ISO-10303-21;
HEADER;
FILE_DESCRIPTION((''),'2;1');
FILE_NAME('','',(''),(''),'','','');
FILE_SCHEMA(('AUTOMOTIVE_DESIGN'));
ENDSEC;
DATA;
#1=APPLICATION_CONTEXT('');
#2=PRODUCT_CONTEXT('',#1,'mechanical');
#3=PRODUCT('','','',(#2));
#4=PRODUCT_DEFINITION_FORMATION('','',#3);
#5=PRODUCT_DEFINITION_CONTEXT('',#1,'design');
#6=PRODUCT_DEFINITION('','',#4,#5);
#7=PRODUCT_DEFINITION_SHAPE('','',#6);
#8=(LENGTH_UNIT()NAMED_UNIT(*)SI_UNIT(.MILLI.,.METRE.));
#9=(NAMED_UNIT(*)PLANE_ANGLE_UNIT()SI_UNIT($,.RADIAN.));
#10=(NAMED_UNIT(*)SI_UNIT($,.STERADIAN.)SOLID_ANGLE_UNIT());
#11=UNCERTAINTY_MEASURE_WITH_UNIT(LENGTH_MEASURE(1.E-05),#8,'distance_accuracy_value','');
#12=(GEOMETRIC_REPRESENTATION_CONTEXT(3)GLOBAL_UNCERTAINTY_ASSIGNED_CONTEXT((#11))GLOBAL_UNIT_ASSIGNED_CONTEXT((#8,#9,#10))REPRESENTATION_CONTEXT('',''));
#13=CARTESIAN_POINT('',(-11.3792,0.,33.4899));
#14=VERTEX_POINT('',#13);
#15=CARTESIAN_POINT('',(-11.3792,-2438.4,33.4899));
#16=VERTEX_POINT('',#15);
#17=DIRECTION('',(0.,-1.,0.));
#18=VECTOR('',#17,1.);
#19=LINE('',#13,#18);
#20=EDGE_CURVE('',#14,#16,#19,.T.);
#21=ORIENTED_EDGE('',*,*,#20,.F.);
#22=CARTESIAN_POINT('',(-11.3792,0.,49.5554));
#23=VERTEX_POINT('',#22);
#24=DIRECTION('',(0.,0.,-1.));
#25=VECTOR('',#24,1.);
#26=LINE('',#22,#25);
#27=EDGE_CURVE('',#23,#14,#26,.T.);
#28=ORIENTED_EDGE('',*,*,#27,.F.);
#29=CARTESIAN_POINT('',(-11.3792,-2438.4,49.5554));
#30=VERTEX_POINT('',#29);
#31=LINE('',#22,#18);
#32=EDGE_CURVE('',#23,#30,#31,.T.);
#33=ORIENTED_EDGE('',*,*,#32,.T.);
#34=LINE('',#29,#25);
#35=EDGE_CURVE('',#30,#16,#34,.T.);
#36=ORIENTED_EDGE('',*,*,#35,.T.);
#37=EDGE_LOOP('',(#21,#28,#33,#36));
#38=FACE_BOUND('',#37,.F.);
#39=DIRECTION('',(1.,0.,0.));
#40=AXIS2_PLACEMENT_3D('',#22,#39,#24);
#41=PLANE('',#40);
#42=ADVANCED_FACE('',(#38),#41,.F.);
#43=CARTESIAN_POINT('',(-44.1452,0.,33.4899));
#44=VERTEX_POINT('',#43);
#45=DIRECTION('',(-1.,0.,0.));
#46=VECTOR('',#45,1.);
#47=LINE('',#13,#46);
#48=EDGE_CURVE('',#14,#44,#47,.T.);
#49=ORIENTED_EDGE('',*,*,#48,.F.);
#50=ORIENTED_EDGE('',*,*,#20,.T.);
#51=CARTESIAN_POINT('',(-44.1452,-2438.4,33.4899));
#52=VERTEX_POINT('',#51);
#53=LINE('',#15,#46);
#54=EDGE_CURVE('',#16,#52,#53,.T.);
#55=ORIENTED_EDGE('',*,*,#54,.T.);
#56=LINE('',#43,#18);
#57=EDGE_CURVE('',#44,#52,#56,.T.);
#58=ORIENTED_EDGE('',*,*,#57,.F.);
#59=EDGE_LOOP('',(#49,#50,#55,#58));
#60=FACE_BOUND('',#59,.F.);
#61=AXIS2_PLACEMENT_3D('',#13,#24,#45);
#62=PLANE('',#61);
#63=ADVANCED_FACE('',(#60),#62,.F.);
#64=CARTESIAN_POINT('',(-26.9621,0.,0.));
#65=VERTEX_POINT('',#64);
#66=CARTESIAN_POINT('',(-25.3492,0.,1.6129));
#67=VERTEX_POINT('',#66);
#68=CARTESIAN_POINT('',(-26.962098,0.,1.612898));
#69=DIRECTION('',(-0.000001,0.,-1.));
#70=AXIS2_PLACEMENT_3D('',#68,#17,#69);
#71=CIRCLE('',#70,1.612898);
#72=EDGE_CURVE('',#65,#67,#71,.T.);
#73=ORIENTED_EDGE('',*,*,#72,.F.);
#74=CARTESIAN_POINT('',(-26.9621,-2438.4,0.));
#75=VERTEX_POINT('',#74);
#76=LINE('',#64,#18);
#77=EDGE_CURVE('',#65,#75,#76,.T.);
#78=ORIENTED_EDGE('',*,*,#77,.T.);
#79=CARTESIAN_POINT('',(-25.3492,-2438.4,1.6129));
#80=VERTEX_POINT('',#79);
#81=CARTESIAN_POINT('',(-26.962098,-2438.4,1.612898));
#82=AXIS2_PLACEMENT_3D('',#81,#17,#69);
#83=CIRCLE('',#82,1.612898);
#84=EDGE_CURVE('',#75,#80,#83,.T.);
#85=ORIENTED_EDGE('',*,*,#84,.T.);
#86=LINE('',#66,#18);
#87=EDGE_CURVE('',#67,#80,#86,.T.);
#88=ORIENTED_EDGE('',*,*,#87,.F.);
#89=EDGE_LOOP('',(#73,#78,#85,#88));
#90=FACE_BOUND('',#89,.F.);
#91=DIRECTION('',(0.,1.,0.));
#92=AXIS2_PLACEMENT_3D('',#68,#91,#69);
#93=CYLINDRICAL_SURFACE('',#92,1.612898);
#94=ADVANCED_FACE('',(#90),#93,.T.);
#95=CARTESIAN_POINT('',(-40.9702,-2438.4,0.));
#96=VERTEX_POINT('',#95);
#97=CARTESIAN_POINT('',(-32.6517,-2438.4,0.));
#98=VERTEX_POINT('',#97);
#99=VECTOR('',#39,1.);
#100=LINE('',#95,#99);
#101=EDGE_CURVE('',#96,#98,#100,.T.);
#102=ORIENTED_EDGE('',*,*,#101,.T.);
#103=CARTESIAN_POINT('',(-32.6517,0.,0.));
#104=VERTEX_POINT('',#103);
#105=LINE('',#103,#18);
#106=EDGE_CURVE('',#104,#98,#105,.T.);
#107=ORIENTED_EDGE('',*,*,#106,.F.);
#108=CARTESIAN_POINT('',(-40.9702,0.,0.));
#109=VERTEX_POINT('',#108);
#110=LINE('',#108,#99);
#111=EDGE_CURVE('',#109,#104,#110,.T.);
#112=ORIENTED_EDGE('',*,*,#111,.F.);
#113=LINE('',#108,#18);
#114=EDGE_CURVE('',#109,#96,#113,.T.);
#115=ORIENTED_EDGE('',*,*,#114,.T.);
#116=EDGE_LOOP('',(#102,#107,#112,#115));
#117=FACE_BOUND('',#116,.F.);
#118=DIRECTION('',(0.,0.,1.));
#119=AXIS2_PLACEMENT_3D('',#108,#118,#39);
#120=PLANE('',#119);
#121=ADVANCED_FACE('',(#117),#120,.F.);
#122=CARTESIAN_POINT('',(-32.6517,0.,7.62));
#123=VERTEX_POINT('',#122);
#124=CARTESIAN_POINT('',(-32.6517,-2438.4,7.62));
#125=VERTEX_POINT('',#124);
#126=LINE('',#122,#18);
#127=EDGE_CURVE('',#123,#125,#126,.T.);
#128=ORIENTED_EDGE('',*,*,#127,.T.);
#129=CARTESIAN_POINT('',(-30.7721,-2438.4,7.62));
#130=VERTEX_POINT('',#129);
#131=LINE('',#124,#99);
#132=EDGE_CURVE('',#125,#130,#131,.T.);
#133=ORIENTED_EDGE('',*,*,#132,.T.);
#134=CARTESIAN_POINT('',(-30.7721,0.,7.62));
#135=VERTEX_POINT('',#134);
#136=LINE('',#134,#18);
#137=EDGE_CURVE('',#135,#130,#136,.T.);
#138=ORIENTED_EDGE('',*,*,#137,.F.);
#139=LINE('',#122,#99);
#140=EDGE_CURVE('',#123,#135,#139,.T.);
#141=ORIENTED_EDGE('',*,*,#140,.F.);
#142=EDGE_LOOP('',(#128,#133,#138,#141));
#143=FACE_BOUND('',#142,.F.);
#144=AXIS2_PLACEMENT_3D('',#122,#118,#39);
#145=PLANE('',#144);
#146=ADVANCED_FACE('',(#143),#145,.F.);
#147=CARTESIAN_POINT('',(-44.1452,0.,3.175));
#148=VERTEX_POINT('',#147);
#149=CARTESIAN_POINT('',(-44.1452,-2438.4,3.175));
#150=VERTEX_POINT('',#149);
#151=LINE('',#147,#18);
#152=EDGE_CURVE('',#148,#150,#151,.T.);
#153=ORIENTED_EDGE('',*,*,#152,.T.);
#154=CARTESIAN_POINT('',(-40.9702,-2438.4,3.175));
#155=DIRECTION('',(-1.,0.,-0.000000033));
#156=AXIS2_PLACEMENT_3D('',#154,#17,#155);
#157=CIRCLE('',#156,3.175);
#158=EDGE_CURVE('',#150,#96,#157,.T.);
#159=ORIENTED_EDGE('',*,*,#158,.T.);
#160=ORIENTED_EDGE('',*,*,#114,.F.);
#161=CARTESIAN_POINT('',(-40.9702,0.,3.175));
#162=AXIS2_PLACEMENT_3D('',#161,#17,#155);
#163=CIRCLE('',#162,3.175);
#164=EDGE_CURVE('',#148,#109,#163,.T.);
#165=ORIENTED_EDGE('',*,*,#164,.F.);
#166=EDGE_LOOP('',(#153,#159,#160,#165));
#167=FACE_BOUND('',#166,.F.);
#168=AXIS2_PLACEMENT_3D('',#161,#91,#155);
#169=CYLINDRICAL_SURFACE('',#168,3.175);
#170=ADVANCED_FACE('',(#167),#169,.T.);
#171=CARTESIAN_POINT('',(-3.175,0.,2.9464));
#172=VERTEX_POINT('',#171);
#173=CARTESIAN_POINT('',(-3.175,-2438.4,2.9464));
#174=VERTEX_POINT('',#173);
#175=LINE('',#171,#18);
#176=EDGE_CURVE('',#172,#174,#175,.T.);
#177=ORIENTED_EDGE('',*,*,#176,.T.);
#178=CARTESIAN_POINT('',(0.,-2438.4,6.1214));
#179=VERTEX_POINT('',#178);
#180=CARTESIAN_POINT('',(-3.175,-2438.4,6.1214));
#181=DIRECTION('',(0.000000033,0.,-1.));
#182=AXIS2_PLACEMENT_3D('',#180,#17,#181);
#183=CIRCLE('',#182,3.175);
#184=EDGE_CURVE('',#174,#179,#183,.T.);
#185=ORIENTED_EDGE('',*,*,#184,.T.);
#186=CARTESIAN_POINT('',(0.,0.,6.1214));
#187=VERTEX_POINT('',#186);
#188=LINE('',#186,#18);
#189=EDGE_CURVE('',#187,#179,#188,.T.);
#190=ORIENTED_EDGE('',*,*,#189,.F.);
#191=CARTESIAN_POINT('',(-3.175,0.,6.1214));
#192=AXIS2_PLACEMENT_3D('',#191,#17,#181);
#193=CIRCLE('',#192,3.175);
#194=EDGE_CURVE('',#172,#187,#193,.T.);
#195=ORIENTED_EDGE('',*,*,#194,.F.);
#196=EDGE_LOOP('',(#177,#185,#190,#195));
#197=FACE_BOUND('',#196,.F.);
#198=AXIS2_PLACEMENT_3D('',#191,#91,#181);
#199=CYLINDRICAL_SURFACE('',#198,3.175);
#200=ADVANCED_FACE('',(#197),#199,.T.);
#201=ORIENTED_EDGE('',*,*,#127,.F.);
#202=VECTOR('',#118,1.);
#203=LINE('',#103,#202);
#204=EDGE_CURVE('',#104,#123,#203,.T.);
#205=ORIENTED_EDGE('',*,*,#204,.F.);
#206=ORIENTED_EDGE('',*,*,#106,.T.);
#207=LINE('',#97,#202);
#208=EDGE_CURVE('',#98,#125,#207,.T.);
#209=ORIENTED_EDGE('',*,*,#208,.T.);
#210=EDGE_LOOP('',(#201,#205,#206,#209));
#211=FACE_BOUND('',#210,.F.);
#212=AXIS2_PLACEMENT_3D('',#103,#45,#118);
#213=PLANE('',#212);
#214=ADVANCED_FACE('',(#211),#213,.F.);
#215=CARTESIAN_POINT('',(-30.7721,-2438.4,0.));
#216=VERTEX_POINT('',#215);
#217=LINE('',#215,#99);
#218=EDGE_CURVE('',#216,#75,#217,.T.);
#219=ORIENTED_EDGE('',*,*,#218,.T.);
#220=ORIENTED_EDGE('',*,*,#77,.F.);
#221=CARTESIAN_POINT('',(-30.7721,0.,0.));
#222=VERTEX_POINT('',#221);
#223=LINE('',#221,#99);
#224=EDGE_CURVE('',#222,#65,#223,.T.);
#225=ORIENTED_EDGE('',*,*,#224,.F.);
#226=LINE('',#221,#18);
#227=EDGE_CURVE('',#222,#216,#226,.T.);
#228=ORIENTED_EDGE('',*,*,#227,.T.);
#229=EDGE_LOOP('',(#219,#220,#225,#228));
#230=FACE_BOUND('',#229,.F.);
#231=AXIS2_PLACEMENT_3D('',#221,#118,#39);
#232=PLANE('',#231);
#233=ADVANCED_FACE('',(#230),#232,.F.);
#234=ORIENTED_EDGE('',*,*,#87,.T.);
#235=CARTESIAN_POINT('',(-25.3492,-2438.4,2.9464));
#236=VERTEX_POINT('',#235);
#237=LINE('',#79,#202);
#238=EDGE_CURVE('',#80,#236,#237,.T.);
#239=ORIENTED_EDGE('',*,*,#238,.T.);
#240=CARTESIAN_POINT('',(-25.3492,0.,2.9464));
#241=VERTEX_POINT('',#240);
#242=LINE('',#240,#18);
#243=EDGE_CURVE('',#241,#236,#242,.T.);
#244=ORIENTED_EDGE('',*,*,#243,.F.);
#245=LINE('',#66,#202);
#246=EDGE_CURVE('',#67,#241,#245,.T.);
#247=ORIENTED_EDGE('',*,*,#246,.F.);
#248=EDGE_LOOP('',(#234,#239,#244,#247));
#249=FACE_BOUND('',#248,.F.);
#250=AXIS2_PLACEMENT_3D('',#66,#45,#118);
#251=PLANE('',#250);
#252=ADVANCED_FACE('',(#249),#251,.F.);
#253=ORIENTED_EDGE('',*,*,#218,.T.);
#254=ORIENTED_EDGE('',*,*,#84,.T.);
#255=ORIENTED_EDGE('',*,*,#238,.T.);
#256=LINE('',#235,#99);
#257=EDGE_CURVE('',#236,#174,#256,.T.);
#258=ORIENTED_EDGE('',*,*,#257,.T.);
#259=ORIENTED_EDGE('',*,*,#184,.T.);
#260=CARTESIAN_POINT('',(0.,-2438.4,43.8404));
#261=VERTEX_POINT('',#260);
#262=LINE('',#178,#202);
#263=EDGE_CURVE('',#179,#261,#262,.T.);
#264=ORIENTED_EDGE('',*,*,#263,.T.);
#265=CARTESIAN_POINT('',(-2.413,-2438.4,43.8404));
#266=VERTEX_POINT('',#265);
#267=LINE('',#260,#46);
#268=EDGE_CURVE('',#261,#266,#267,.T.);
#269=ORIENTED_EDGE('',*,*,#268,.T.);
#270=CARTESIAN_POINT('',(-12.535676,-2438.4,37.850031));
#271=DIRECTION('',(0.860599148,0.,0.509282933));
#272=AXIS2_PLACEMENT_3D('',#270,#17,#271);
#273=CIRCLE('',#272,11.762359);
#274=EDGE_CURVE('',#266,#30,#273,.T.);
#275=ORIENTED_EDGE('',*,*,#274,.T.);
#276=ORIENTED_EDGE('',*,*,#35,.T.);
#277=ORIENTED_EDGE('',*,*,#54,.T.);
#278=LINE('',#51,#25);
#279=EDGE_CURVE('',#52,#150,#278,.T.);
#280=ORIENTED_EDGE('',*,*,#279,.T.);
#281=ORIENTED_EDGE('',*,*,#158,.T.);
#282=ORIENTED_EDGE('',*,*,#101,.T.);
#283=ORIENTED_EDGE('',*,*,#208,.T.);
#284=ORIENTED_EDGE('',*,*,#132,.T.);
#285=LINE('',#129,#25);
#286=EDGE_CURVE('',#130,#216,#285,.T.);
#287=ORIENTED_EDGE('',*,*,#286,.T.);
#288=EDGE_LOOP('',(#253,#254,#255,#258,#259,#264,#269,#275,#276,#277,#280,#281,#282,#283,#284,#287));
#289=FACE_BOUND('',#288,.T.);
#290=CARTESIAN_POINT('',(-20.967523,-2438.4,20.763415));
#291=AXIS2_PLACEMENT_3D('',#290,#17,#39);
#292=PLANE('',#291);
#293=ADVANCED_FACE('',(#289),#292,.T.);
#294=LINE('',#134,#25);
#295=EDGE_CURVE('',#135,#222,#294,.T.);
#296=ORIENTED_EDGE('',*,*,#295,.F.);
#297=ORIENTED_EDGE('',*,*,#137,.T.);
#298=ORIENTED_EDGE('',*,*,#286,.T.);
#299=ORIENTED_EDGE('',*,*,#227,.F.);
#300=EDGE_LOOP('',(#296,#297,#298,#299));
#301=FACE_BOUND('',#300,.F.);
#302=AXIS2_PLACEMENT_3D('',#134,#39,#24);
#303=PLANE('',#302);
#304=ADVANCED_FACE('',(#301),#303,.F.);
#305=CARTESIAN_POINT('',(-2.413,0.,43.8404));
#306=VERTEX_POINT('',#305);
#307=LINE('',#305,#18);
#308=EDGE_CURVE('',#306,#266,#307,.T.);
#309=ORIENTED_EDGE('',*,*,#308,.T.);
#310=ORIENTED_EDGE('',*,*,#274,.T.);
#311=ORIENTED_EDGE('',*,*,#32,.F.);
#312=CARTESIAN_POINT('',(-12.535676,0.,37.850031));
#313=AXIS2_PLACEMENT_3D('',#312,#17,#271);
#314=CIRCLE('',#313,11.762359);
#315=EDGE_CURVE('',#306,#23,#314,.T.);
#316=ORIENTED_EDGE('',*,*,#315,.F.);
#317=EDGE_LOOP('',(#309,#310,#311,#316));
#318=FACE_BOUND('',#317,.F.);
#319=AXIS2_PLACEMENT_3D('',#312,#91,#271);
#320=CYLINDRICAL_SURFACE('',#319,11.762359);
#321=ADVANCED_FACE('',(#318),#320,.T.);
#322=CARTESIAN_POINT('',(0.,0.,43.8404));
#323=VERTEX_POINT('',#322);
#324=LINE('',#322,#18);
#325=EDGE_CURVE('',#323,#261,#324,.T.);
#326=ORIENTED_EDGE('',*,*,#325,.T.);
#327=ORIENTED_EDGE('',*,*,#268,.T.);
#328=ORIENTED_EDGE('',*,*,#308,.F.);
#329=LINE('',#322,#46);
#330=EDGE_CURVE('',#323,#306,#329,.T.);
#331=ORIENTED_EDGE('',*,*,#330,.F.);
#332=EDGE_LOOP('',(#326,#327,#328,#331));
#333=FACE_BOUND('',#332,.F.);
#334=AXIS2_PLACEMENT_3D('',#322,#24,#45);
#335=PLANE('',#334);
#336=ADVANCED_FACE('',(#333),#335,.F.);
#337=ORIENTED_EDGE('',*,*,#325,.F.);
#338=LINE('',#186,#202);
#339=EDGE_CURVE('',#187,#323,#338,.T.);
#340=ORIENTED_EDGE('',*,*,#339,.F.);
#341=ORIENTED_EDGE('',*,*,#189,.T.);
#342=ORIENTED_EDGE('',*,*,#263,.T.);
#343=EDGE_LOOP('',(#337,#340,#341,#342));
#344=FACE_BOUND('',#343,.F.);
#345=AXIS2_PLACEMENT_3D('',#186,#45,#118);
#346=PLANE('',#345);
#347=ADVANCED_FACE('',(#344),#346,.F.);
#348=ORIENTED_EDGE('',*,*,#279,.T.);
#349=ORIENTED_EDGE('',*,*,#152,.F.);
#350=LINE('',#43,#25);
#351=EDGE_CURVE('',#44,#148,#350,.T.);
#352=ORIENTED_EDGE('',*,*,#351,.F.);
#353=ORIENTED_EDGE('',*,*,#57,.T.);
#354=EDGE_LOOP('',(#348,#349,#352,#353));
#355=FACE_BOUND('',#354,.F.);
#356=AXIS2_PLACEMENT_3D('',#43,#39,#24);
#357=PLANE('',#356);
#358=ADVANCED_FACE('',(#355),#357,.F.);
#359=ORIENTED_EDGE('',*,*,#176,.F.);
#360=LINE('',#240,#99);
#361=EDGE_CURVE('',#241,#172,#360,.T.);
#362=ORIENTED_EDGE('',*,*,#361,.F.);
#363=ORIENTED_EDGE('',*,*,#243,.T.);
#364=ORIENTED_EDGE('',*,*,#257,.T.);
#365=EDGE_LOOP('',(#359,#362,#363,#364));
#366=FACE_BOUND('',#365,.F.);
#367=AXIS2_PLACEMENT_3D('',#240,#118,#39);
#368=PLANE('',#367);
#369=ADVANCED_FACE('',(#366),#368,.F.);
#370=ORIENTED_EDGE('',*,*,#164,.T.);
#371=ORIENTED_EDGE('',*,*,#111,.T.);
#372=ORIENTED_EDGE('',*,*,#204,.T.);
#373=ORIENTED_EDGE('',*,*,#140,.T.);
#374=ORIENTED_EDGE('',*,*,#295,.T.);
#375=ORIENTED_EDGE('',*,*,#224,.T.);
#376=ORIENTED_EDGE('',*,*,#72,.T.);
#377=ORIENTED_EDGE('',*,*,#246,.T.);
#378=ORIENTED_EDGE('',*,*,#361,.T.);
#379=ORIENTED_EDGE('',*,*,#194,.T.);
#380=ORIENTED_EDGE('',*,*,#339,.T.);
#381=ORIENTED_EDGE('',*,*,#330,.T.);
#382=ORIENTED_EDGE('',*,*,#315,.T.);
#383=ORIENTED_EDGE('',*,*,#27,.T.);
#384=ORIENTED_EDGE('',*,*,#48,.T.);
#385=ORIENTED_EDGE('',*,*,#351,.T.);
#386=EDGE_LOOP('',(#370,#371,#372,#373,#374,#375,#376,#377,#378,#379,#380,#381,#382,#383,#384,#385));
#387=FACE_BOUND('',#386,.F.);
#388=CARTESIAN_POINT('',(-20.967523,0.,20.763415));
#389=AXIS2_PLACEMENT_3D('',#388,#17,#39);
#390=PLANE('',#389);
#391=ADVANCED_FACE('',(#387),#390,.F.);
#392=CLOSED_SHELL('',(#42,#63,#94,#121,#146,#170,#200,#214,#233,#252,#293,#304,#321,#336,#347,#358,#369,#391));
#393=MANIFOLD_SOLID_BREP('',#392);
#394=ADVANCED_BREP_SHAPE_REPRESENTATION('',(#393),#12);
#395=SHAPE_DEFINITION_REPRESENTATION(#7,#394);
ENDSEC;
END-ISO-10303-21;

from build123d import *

# Parameters (mm, degrees)
F1_DEPTH = 2438.4


with BuildPart() as f1:
    # F0 (on Front) → F1 (new body)
    with BuildSketch(Plane.XZ):
        with BuildLine():
            ThreePointArc((-3.175, 2.9464), (-0.929936, 3.876336), (0, 6.1214))
            Line((0, 6.1214), (0, 43.8404))
            Line((0, 43.8404), (-2.413, 43.8404))
            ThreePointArc((-2.413, 43.8404), (-6.213483, 47.76885), (-11.3792, 49.5554))
            Line((-11.3792, 49.5554), (-11.3792, 33.4899))
            Line((-11.3792, 33.4899), (-44.1452, 33.4899))
            Line((-44.1452, 33.4899), (-44.1452, 3.175))
            ThreePointArc((-44.1452, 3.175), (-43.215264, 0.929936), (-40.9702, 0))
            Line((-40.9702, 0), (-32.6517, 0))
            Line((-32.6517, 0), (-32.6517, 7.62))
            Line((-32.6517, 7.62), (-30.7721, 7.62))
            Line((-30.7721, 7.62), (-30.7721, 0))
            Line((-30.7721, 0), (-26.9621, 0))
            ThreePointArc((-26.9621, 0), (-25.821607, 0.472407), (-25.3492, 1.6129))
            Line((-25.3492, 1.6129), (-25.3492, 2.9464))
            Line((-25.3492, 2.9464), (-3.175, 2.9464))
        make_face()
    extrude(amount=F1_DEPTH)


solid = f1.part
